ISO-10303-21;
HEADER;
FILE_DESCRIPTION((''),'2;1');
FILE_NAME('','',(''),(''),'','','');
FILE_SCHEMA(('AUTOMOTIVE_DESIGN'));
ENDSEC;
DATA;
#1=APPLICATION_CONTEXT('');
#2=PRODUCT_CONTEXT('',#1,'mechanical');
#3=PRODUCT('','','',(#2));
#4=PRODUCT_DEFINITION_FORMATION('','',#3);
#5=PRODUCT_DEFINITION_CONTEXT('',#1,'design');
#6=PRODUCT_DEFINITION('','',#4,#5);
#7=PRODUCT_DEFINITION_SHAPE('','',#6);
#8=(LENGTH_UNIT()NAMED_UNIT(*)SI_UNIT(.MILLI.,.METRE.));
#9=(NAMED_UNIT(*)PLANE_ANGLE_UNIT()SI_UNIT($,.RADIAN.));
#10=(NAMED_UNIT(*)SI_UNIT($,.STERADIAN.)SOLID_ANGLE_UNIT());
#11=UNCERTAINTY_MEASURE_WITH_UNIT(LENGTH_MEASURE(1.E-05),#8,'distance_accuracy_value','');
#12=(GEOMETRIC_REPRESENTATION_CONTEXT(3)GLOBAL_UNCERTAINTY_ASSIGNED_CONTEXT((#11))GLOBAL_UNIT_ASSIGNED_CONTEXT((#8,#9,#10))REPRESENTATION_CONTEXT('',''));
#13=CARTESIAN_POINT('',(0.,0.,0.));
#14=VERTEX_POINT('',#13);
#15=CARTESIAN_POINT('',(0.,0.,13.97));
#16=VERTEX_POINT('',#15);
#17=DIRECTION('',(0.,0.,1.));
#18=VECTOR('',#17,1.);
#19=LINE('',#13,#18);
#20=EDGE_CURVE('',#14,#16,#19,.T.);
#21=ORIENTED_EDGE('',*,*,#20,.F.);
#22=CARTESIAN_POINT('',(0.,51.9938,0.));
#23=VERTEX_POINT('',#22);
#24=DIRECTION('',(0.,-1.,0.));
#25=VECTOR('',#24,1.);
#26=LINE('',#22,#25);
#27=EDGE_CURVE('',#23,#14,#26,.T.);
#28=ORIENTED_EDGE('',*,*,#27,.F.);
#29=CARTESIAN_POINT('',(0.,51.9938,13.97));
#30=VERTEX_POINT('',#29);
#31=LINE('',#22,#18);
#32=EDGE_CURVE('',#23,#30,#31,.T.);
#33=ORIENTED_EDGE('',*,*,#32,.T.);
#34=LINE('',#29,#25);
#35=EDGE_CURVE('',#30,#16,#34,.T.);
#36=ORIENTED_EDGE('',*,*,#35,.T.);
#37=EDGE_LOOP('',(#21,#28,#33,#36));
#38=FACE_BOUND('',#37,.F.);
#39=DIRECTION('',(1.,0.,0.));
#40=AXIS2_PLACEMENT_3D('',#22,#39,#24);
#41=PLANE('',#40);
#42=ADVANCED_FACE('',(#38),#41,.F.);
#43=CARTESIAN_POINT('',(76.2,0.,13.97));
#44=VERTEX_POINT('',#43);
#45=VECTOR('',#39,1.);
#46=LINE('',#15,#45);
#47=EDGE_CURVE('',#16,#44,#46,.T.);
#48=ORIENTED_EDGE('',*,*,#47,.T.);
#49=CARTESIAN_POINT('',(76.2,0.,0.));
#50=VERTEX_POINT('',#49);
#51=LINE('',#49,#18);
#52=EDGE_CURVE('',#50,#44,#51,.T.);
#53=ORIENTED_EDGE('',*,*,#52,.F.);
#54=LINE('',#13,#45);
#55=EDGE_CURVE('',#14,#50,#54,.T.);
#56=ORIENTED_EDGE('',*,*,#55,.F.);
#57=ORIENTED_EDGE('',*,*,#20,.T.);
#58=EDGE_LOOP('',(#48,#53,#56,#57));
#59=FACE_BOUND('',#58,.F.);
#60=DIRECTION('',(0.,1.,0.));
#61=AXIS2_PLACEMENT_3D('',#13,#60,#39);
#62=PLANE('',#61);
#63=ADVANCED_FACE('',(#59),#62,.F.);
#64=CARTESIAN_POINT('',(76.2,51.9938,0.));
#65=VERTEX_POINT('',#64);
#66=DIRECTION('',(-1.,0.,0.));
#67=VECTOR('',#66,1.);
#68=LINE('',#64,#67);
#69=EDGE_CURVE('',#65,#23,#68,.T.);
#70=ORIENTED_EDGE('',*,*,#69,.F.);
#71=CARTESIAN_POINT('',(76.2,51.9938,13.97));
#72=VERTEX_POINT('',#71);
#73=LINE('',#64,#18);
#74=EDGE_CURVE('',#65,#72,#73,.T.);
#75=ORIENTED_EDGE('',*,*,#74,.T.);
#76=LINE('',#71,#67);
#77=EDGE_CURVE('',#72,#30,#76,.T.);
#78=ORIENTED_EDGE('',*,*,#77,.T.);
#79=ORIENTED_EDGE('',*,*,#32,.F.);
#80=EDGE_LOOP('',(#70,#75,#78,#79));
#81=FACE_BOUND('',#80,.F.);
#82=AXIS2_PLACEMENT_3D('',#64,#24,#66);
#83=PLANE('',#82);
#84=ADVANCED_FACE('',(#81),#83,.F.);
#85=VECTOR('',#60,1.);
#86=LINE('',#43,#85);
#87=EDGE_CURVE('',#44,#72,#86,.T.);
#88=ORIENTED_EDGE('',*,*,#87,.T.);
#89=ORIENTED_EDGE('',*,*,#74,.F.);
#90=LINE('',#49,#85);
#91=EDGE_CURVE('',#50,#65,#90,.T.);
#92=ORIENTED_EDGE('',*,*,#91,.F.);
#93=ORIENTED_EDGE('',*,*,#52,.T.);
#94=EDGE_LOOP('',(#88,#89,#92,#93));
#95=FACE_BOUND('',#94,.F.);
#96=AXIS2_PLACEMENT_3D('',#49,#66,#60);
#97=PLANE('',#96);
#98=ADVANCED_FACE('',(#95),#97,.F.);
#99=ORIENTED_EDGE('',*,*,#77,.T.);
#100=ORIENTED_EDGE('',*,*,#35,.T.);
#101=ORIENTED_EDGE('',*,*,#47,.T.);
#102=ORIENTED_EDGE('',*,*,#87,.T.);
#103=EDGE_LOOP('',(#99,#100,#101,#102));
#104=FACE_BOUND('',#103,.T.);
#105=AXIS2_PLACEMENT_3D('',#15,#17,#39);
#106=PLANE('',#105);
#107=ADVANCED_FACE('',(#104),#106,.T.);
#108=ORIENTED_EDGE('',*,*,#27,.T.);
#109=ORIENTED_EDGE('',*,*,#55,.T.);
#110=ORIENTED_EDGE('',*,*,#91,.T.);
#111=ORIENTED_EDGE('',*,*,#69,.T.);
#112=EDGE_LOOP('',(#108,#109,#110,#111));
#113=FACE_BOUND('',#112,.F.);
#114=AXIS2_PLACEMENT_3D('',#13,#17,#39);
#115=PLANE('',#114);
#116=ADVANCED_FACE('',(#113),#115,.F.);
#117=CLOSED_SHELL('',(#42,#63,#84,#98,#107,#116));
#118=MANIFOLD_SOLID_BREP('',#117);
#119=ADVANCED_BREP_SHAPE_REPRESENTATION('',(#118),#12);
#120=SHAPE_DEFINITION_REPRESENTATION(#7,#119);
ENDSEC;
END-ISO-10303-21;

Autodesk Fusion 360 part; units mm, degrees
sketch "Sketch1" plane through (0, 0, 0) normal (0, 0, 1) x (1, 0, 0)
  line L0 (0, 0) -> (76.2, 0)
  line L1 (76.2, 0) -> (76.2, 51.9938)
  line L2 (76.2, 51.9938) -> (0, 51.9938)
  line L3 (0, 51.9938) -> (0, 0)
  dimension "d3" = 76.2
  dimension "d4" = 51.9938
extrude "Extrude1" add sketch "Sketch1" along normal blind 13.97
equation "length = 3 in"
equation "Width = 2.047 in"
equation "d3 = length"
equation "d4 = Width"
equation "height = 0.55 in"
equation "d6 = height"
